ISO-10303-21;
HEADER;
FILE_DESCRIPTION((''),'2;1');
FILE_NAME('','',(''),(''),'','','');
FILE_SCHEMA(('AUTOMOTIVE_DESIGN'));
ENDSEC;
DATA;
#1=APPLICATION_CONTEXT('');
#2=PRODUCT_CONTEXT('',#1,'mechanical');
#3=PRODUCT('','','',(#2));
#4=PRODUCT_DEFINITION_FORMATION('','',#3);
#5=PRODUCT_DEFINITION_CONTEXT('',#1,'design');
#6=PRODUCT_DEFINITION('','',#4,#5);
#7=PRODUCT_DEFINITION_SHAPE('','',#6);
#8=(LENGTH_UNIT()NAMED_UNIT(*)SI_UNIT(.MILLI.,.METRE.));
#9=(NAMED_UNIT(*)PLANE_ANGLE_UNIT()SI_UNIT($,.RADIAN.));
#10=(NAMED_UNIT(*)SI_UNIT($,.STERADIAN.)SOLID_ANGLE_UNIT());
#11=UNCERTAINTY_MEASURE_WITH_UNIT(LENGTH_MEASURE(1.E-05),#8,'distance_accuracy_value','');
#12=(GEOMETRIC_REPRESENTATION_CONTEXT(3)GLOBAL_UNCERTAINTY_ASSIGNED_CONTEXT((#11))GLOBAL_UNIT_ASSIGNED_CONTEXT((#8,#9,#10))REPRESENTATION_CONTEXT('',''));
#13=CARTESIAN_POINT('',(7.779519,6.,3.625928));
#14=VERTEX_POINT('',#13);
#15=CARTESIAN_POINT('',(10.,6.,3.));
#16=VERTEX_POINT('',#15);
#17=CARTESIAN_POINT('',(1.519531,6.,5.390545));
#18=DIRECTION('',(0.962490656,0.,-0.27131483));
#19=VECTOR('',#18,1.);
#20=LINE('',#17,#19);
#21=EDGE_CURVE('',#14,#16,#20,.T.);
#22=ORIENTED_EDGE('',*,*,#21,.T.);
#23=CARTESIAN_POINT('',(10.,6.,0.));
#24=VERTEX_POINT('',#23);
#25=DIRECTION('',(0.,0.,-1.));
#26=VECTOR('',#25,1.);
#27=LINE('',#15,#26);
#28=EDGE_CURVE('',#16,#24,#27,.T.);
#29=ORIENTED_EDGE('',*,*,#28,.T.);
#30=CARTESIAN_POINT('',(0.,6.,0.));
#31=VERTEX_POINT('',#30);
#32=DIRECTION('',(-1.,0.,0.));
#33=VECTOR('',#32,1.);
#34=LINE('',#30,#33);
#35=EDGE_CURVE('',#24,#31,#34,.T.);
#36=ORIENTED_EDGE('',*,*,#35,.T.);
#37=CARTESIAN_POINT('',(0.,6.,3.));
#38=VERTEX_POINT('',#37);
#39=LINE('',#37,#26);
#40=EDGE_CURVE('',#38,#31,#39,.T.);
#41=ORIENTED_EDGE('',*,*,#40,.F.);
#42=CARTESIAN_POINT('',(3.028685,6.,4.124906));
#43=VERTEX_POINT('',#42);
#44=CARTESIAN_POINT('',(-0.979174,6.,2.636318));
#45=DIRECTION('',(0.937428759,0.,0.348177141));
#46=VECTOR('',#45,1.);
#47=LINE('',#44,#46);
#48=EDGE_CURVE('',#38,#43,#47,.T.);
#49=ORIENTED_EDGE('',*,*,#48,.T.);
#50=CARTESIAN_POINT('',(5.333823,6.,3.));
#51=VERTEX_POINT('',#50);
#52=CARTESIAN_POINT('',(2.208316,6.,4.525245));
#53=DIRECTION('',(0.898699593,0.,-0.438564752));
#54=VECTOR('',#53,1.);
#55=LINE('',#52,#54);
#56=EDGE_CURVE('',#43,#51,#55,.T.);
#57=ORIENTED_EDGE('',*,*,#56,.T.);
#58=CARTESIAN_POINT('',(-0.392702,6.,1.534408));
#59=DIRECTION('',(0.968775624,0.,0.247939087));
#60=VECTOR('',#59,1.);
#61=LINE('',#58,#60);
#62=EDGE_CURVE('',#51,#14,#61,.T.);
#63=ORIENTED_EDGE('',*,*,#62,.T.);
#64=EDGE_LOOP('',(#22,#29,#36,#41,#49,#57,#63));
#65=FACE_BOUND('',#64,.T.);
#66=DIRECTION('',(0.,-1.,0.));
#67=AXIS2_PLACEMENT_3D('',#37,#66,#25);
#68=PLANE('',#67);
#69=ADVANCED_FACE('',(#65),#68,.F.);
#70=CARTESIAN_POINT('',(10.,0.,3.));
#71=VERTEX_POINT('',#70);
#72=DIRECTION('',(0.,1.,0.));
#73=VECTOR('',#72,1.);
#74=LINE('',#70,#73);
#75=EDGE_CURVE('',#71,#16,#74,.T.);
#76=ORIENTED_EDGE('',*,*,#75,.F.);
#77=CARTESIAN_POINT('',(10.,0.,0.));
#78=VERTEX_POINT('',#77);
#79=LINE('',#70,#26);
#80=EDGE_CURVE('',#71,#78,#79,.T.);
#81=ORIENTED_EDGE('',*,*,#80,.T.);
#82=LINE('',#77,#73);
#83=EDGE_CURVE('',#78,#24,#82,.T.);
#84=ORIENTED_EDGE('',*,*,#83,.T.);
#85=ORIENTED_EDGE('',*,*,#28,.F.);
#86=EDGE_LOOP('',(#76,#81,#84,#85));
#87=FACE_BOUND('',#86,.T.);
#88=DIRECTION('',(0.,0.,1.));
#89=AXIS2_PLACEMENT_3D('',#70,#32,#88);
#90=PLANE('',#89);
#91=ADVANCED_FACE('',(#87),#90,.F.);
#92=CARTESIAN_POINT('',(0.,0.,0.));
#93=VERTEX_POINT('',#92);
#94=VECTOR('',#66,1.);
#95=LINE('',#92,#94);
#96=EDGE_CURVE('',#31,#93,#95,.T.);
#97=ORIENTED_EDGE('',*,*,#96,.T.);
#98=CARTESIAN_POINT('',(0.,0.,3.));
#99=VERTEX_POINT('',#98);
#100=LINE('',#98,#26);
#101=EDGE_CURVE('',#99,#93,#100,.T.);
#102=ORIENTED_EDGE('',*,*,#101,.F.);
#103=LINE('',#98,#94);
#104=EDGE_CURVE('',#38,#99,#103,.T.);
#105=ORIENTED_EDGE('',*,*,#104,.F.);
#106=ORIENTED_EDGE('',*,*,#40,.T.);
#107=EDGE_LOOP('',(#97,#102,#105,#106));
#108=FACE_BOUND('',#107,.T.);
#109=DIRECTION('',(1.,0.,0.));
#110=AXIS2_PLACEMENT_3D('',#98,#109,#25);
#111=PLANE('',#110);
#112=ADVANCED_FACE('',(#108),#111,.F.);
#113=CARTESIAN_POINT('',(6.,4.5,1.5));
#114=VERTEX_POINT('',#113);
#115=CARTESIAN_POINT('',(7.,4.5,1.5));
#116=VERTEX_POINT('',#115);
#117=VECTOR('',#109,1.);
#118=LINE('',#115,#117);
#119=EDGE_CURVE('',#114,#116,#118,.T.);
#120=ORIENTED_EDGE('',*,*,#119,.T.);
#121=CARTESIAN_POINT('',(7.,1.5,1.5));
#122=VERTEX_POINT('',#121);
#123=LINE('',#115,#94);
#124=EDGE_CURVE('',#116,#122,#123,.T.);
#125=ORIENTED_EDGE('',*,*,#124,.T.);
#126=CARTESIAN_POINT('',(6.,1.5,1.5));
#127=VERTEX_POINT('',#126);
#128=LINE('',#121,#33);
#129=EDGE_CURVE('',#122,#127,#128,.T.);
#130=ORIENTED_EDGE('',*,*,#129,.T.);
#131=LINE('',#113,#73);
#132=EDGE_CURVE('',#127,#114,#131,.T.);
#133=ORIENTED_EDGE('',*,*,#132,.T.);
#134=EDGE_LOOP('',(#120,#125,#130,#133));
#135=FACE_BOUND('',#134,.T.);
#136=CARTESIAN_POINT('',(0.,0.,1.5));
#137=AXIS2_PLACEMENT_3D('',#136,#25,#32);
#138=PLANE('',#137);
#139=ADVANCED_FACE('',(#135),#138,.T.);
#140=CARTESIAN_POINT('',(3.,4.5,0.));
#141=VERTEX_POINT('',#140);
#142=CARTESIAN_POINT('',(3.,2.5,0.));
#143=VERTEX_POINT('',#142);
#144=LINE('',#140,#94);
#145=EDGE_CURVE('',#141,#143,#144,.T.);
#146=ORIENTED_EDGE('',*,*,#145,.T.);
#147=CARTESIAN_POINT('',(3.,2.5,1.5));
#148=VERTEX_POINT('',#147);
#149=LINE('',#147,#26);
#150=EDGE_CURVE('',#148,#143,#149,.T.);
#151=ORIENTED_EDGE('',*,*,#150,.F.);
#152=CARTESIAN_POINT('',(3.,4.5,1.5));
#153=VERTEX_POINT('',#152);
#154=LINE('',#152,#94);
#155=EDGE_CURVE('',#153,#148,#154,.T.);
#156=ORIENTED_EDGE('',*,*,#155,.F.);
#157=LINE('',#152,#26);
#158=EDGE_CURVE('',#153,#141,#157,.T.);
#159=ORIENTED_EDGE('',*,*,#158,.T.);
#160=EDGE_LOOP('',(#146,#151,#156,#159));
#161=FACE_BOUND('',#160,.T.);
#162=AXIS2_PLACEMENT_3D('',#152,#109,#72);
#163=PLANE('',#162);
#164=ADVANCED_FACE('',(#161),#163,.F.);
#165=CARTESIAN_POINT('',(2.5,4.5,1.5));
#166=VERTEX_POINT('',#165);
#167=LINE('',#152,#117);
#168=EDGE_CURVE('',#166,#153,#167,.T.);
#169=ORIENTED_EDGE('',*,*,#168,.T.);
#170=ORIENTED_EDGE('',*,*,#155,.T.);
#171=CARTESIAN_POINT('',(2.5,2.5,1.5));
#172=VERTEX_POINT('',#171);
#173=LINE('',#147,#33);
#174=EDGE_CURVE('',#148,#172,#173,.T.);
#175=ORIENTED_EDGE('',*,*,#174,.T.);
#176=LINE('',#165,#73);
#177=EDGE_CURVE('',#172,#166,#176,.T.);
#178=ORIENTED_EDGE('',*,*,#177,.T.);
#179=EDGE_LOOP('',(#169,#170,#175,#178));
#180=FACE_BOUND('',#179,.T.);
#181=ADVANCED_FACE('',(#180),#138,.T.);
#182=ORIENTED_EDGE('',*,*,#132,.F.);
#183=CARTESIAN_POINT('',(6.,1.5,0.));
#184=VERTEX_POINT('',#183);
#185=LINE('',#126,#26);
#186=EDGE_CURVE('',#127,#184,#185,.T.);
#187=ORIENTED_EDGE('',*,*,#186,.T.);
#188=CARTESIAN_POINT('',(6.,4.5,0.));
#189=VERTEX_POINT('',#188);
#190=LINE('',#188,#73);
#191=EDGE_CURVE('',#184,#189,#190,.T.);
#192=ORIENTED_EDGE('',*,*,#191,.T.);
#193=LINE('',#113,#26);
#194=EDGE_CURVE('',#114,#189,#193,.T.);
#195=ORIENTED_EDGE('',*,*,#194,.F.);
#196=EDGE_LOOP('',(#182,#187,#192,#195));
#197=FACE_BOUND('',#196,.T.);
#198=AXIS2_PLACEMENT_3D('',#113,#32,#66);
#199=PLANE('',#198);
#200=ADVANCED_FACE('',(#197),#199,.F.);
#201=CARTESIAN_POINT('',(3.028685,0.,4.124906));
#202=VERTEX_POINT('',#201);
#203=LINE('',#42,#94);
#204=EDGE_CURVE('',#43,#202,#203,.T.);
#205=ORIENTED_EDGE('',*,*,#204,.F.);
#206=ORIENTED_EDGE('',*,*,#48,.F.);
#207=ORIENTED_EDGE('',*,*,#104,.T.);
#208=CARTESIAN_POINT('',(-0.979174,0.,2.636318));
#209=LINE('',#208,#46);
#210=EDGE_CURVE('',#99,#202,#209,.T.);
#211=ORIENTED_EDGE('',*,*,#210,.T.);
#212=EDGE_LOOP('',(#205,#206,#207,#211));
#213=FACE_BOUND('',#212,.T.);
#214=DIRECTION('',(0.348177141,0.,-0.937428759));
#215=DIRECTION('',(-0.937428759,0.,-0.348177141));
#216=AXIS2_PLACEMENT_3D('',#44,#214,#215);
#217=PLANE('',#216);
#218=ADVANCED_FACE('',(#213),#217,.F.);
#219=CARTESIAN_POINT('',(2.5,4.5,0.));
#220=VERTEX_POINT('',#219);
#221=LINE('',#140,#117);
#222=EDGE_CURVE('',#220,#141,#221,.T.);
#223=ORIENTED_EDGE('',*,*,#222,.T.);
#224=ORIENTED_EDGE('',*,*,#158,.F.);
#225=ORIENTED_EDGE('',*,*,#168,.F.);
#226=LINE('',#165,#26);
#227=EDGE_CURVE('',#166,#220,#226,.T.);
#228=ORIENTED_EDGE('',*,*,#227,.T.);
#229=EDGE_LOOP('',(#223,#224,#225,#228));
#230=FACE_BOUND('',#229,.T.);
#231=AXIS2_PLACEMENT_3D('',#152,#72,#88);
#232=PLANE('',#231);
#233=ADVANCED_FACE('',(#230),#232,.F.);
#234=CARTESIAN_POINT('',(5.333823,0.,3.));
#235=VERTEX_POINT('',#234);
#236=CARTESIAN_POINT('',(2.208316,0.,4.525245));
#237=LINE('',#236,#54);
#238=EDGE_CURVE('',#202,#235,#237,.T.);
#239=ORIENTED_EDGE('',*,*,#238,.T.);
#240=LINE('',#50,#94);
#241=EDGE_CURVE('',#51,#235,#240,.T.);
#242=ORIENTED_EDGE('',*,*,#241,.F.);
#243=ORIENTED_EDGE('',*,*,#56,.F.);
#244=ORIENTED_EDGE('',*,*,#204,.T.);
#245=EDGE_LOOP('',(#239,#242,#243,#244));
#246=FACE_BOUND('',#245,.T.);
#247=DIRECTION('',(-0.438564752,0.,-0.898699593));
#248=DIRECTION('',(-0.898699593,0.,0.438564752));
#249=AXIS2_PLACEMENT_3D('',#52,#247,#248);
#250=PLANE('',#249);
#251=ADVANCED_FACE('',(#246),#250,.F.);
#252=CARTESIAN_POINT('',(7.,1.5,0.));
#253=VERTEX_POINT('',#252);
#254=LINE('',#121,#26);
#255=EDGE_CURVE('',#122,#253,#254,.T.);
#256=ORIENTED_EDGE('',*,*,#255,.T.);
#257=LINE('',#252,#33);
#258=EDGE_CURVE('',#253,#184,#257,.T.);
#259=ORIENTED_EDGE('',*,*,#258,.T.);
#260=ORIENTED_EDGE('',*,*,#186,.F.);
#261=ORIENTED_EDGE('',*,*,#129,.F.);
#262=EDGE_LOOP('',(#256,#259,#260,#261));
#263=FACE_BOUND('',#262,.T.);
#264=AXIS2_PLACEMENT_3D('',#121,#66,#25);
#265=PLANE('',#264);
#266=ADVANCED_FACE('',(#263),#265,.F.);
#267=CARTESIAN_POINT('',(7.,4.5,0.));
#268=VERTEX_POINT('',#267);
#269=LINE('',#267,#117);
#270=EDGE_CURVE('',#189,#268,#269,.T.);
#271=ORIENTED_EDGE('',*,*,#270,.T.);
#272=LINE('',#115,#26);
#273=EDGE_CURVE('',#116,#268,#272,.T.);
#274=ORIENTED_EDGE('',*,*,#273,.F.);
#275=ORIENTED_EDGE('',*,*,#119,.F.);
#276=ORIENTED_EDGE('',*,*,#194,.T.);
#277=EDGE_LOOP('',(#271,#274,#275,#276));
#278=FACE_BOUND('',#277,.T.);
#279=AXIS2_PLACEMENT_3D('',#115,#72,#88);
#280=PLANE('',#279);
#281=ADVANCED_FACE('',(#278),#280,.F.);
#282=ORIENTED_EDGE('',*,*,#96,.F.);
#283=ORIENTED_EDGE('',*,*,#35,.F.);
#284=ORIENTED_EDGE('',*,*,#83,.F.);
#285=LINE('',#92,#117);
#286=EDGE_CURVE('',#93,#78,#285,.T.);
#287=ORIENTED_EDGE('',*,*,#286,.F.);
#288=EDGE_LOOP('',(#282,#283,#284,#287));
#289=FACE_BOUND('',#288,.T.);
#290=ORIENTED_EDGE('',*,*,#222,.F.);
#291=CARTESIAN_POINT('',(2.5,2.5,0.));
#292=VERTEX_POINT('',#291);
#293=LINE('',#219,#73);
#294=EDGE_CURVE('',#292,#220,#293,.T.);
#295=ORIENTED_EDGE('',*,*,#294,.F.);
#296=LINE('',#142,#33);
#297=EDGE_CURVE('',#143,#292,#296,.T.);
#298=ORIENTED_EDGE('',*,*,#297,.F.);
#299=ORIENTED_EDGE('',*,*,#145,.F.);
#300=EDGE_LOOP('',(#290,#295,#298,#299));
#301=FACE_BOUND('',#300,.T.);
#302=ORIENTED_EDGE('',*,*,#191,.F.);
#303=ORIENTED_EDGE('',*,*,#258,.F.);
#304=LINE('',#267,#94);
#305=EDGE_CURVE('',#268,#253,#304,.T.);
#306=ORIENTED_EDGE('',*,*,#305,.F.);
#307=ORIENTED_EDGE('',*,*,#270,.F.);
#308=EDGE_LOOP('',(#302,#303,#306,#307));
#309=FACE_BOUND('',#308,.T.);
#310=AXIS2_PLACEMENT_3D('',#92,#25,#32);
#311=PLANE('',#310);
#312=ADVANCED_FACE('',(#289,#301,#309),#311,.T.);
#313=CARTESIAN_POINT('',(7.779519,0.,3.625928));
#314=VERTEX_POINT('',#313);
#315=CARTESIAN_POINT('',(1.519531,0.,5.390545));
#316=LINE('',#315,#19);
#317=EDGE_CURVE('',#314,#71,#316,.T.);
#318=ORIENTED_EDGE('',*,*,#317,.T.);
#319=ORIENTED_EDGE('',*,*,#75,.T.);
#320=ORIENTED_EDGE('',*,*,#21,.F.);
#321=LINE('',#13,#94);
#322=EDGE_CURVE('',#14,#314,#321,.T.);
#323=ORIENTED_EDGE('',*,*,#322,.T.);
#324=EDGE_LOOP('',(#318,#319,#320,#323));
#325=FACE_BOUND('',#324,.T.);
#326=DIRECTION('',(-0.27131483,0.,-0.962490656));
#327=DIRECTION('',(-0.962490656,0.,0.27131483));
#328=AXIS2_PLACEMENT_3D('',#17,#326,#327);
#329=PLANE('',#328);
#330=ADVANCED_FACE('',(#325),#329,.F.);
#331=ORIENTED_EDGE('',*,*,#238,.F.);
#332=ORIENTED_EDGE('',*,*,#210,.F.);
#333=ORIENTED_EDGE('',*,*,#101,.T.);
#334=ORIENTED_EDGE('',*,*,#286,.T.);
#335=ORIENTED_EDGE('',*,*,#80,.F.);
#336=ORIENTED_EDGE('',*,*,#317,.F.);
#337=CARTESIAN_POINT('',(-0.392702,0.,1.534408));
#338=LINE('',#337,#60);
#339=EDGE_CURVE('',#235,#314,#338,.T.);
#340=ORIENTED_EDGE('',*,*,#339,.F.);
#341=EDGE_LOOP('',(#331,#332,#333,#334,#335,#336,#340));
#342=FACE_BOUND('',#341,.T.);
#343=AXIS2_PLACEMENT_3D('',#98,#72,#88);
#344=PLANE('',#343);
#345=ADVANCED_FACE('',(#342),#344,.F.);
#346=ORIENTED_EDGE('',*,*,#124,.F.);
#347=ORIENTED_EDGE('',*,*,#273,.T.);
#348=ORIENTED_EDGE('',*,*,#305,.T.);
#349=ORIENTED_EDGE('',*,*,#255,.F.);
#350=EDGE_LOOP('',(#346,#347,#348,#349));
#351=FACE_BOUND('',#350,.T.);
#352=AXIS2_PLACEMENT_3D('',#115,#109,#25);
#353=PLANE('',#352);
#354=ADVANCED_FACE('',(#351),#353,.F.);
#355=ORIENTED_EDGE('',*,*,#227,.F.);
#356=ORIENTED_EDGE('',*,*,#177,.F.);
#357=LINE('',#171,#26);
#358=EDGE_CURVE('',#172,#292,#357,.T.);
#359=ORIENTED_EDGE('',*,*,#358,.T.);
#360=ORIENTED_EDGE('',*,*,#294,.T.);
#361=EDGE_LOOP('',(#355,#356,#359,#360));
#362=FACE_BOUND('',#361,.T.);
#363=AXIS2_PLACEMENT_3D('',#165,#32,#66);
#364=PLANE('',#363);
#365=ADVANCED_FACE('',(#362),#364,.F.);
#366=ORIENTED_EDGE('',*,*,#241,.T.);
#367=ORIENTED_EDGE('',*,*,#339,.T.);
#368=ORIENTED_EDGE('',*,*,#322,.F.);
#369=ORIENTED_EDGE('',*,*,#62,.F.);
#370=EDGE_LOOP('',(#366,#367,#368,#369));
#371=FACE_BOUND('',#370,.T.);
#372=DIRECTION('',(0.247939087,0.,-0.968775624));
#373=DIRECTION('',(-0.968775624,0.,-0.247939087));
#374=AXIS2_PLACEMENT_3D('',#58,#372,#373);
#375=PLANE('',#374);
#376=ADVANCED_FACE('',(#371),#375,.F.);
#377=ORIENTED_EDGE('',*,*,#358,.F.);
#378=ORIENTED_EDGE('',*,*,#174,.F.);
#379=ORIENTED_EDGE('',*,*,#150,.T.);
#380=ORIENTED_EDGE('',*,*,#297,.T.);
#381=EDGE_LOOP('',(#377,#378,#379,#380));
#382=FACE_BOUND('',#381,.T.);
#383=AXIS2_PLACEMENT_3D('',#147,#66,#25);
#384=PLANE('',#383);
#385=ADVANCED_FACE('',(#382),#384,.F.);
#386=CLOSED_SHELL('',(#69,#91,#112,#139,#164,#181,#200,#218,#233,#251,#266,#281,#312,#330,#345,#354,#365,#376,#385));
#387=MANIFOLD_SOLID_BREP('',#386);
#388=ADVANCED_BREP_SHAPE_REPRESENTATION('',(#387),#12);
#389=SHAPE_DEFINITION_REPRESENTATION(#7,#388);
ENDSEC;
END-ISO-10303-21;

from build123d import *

# Parameters (mm, degrees)
SKETCH1_W           = 10
SKETCH1_H           = 6
BOSS_EXTRUDE1_DEPTH = 3
BOSS_EXTRUDE2_DEPTH = 6
SKETCH3_W           = 0.5
SKETCH3_H           = 2
SKETCH3_W_2         = 1
SKETCH3_H_2         = 3
CUT_EXTRUDE1_DEPTH  = 1.5


with BuildPart() as part:
    # Sketch1 → Boss-Extrude1 (new body)
    with BuildSketch(Plane.XY):
        with Locations((5, 3)):
            Rectangle(SKETCH1_W, SKETCH1_H)
    extrude(amount=BOSS_EXTRUDE1_DEPTH)

    # Sketch2 → Boss-Extrude2 (add)
    with BuildSketch(Plane.XZ):
        Polygon((3.028685262, 4.124905721), (0, 3), (5.333823351, 3), align=None)
        Polygon((7.779518642, 3.625927659), (5.333823351, 3), (10, 3), align=None)
    extrude(amount=-BOSS_EXTRUDE2_DEPTH)

    # Sketch3 → Cut-Extrude1 (cut)
    with BuildSketch(Plane(origin=(0, 0, 0), x_dir=(-1, 0, 0), z_dir=(0, 0, -1))):
        with Locations((-2.75, 3.5)):
            Rectangle(SKETCH3_W, SKETCH3_H)
        with Locations((-6.5, 3)):
            Rectangle(SKETCH3_W_2, SKETCH3_H_2)
    extrude(amount=-CUT_EXTRUDE1_DEPTH, mode=Mode.SUBTRACT)


solid = part.part
